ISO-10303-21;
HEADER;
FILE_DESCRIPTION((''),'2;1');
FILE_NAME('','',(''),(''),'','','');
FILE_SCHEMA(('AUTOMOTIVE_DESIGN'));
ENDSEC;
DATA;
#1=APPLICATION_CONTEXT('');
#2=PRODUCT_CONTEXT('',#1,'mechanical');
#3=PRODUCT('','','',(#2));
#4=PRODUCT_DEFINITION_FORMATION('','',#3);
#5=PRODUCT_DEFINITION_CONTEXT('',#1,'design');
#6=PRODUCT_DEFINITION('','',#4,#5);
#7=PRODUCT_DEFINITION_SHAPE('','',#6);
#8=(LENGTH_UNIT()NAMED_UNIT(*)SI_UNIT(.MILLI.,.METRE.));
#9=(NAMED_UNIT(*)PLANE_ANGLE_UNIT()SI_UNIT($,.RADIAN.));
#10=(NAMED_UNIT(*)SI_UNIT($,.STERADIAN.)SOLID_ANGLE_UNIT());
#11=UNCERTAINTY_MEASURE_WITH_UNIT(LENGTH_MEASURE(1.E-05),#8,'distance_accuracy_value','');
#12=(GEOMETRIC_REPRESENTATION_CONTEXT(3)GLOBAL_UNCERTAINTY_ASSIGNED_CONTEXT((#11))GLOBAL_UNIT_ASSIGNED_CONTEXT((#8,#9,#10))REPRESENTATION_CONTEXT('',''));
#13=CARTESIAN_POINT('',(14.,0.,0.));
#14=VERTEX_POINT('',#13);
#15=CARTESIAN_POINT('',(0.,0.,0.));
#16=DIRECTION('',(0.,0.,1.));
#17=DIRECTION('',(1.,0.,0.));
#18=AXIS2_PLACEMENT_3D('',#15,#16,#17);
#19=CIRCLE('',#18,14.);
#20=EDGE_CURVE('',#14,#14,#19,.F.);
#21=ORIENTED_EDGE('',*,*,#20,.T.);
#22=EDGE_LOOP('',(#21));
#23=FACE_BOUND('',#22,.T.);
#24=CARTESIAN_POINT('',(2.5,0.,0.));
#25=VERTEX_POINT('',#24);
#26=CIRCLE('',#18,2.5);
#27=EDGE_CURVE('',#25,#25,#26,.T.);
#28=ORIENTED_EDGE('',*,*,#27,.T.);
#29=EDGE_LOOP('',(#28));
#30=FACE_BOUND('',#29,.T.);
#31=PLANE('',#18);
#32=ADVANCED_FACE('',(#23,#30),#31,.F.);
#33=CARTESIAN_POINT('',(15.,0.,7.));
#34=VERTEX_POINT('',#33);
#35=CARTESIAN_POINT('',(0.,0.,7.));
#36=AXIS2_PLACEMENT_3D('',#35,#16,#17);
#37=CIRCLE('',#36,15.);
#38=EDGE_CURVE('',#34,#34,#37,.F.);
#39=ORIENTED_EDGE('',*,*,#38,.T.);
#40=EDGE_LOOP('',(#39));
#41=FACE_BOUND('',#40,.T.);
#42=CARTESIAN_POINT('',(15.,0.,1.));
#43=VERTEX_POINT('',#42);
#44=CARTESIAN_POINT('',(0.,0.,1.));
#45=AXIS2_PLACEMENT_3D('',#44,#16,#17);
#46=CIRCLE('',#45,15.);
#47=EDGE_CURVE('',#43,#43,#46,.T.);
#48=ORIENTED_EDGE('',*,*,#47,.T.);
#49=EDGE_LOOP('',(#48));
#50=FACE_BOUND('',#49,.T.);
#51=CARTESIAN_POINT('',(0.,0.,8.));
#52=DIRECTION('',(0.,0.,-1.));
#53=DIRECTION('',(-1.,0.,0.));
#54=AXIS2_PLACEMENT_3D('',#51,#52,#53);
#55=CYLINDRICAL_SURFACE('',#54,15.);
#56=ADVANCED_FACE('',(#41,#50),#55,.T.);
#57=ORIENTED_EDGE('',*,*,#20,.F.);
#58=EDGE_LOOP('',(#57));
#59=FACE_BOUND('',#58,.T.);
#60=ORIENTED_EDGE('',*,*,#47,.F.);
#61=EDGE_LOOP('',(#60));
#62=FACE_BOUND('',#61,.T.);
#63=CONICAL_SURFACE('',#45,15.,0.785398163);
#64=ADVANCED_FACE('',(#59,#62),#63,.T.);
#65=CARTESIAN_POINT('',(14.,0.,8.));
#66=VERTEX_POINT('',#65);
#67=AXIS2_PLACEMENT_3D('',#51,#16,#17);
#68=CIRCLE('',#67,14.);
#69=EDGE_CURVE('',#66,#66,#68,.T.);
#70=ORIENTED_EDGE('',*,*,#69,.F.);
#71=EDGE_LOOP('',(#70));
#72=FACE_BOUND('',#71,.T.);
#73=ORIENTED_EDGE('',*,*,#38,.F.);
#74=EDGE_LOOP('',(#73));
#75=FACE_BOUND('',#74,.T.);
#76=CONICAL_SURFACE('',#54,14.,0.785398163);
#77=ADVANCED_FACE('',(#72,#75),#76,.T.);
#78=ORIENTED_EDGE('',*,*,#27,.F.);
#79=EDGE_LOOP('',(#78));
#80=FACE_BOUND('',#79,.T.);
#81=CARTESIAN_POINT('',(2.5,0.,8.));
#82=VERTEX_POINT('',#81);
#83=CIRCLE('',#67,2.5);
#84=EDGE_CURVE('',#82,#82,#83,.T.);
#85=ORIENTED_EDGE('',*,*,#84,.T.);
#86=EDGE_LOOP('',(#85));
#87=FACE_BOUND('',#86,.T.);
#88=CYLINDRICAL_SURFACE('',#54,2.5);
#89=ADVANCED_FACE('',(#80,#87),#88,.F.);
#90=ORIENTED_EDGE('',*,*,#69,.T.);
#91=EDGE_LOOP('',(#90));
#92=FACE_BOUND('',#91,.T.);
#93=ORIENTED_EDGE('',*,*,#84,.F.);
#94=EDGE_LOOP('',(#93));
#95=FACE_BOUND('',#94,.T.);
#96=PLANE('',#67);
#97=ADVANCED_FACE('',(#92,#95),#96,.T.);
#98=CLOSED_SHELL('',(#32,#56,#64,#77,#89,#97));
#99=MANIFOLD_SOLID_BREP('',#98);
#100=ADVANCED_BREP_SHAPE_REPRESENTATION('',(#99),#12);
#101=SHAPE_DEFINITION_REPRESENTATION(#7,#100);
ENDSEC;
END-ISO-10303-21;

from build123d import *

# Parameters (mm, degrees)
SKETCH1_R           = 15
SKETCH1_R_2         = 2.5
BOSS_EXTRUDE1_DEPTH = 8
CHAMFER1_SIZE       = 1


with BuildPart() as part:
    # Sketch1 → Boss-Extrude1 (new body)
    with BuildSketch(Plane.XY):
        Circle(SKETCH1_R)
        Circle(SKETCH1_R_2, mode=Mode.SUBTRACT)
    extrude(amount=BOSS_EXTRUDE1_DEPTH)

    # Chamfer1
    chamfer1_edges = [part.edges().sort_by_distance(p)[0] for p in [
        (-15, 0, 0),
        (-15, 0, 8),
    ]]
    chamfer(chamfer1_edges, length=CHAMFER1_SIZE)


solid = part.part
